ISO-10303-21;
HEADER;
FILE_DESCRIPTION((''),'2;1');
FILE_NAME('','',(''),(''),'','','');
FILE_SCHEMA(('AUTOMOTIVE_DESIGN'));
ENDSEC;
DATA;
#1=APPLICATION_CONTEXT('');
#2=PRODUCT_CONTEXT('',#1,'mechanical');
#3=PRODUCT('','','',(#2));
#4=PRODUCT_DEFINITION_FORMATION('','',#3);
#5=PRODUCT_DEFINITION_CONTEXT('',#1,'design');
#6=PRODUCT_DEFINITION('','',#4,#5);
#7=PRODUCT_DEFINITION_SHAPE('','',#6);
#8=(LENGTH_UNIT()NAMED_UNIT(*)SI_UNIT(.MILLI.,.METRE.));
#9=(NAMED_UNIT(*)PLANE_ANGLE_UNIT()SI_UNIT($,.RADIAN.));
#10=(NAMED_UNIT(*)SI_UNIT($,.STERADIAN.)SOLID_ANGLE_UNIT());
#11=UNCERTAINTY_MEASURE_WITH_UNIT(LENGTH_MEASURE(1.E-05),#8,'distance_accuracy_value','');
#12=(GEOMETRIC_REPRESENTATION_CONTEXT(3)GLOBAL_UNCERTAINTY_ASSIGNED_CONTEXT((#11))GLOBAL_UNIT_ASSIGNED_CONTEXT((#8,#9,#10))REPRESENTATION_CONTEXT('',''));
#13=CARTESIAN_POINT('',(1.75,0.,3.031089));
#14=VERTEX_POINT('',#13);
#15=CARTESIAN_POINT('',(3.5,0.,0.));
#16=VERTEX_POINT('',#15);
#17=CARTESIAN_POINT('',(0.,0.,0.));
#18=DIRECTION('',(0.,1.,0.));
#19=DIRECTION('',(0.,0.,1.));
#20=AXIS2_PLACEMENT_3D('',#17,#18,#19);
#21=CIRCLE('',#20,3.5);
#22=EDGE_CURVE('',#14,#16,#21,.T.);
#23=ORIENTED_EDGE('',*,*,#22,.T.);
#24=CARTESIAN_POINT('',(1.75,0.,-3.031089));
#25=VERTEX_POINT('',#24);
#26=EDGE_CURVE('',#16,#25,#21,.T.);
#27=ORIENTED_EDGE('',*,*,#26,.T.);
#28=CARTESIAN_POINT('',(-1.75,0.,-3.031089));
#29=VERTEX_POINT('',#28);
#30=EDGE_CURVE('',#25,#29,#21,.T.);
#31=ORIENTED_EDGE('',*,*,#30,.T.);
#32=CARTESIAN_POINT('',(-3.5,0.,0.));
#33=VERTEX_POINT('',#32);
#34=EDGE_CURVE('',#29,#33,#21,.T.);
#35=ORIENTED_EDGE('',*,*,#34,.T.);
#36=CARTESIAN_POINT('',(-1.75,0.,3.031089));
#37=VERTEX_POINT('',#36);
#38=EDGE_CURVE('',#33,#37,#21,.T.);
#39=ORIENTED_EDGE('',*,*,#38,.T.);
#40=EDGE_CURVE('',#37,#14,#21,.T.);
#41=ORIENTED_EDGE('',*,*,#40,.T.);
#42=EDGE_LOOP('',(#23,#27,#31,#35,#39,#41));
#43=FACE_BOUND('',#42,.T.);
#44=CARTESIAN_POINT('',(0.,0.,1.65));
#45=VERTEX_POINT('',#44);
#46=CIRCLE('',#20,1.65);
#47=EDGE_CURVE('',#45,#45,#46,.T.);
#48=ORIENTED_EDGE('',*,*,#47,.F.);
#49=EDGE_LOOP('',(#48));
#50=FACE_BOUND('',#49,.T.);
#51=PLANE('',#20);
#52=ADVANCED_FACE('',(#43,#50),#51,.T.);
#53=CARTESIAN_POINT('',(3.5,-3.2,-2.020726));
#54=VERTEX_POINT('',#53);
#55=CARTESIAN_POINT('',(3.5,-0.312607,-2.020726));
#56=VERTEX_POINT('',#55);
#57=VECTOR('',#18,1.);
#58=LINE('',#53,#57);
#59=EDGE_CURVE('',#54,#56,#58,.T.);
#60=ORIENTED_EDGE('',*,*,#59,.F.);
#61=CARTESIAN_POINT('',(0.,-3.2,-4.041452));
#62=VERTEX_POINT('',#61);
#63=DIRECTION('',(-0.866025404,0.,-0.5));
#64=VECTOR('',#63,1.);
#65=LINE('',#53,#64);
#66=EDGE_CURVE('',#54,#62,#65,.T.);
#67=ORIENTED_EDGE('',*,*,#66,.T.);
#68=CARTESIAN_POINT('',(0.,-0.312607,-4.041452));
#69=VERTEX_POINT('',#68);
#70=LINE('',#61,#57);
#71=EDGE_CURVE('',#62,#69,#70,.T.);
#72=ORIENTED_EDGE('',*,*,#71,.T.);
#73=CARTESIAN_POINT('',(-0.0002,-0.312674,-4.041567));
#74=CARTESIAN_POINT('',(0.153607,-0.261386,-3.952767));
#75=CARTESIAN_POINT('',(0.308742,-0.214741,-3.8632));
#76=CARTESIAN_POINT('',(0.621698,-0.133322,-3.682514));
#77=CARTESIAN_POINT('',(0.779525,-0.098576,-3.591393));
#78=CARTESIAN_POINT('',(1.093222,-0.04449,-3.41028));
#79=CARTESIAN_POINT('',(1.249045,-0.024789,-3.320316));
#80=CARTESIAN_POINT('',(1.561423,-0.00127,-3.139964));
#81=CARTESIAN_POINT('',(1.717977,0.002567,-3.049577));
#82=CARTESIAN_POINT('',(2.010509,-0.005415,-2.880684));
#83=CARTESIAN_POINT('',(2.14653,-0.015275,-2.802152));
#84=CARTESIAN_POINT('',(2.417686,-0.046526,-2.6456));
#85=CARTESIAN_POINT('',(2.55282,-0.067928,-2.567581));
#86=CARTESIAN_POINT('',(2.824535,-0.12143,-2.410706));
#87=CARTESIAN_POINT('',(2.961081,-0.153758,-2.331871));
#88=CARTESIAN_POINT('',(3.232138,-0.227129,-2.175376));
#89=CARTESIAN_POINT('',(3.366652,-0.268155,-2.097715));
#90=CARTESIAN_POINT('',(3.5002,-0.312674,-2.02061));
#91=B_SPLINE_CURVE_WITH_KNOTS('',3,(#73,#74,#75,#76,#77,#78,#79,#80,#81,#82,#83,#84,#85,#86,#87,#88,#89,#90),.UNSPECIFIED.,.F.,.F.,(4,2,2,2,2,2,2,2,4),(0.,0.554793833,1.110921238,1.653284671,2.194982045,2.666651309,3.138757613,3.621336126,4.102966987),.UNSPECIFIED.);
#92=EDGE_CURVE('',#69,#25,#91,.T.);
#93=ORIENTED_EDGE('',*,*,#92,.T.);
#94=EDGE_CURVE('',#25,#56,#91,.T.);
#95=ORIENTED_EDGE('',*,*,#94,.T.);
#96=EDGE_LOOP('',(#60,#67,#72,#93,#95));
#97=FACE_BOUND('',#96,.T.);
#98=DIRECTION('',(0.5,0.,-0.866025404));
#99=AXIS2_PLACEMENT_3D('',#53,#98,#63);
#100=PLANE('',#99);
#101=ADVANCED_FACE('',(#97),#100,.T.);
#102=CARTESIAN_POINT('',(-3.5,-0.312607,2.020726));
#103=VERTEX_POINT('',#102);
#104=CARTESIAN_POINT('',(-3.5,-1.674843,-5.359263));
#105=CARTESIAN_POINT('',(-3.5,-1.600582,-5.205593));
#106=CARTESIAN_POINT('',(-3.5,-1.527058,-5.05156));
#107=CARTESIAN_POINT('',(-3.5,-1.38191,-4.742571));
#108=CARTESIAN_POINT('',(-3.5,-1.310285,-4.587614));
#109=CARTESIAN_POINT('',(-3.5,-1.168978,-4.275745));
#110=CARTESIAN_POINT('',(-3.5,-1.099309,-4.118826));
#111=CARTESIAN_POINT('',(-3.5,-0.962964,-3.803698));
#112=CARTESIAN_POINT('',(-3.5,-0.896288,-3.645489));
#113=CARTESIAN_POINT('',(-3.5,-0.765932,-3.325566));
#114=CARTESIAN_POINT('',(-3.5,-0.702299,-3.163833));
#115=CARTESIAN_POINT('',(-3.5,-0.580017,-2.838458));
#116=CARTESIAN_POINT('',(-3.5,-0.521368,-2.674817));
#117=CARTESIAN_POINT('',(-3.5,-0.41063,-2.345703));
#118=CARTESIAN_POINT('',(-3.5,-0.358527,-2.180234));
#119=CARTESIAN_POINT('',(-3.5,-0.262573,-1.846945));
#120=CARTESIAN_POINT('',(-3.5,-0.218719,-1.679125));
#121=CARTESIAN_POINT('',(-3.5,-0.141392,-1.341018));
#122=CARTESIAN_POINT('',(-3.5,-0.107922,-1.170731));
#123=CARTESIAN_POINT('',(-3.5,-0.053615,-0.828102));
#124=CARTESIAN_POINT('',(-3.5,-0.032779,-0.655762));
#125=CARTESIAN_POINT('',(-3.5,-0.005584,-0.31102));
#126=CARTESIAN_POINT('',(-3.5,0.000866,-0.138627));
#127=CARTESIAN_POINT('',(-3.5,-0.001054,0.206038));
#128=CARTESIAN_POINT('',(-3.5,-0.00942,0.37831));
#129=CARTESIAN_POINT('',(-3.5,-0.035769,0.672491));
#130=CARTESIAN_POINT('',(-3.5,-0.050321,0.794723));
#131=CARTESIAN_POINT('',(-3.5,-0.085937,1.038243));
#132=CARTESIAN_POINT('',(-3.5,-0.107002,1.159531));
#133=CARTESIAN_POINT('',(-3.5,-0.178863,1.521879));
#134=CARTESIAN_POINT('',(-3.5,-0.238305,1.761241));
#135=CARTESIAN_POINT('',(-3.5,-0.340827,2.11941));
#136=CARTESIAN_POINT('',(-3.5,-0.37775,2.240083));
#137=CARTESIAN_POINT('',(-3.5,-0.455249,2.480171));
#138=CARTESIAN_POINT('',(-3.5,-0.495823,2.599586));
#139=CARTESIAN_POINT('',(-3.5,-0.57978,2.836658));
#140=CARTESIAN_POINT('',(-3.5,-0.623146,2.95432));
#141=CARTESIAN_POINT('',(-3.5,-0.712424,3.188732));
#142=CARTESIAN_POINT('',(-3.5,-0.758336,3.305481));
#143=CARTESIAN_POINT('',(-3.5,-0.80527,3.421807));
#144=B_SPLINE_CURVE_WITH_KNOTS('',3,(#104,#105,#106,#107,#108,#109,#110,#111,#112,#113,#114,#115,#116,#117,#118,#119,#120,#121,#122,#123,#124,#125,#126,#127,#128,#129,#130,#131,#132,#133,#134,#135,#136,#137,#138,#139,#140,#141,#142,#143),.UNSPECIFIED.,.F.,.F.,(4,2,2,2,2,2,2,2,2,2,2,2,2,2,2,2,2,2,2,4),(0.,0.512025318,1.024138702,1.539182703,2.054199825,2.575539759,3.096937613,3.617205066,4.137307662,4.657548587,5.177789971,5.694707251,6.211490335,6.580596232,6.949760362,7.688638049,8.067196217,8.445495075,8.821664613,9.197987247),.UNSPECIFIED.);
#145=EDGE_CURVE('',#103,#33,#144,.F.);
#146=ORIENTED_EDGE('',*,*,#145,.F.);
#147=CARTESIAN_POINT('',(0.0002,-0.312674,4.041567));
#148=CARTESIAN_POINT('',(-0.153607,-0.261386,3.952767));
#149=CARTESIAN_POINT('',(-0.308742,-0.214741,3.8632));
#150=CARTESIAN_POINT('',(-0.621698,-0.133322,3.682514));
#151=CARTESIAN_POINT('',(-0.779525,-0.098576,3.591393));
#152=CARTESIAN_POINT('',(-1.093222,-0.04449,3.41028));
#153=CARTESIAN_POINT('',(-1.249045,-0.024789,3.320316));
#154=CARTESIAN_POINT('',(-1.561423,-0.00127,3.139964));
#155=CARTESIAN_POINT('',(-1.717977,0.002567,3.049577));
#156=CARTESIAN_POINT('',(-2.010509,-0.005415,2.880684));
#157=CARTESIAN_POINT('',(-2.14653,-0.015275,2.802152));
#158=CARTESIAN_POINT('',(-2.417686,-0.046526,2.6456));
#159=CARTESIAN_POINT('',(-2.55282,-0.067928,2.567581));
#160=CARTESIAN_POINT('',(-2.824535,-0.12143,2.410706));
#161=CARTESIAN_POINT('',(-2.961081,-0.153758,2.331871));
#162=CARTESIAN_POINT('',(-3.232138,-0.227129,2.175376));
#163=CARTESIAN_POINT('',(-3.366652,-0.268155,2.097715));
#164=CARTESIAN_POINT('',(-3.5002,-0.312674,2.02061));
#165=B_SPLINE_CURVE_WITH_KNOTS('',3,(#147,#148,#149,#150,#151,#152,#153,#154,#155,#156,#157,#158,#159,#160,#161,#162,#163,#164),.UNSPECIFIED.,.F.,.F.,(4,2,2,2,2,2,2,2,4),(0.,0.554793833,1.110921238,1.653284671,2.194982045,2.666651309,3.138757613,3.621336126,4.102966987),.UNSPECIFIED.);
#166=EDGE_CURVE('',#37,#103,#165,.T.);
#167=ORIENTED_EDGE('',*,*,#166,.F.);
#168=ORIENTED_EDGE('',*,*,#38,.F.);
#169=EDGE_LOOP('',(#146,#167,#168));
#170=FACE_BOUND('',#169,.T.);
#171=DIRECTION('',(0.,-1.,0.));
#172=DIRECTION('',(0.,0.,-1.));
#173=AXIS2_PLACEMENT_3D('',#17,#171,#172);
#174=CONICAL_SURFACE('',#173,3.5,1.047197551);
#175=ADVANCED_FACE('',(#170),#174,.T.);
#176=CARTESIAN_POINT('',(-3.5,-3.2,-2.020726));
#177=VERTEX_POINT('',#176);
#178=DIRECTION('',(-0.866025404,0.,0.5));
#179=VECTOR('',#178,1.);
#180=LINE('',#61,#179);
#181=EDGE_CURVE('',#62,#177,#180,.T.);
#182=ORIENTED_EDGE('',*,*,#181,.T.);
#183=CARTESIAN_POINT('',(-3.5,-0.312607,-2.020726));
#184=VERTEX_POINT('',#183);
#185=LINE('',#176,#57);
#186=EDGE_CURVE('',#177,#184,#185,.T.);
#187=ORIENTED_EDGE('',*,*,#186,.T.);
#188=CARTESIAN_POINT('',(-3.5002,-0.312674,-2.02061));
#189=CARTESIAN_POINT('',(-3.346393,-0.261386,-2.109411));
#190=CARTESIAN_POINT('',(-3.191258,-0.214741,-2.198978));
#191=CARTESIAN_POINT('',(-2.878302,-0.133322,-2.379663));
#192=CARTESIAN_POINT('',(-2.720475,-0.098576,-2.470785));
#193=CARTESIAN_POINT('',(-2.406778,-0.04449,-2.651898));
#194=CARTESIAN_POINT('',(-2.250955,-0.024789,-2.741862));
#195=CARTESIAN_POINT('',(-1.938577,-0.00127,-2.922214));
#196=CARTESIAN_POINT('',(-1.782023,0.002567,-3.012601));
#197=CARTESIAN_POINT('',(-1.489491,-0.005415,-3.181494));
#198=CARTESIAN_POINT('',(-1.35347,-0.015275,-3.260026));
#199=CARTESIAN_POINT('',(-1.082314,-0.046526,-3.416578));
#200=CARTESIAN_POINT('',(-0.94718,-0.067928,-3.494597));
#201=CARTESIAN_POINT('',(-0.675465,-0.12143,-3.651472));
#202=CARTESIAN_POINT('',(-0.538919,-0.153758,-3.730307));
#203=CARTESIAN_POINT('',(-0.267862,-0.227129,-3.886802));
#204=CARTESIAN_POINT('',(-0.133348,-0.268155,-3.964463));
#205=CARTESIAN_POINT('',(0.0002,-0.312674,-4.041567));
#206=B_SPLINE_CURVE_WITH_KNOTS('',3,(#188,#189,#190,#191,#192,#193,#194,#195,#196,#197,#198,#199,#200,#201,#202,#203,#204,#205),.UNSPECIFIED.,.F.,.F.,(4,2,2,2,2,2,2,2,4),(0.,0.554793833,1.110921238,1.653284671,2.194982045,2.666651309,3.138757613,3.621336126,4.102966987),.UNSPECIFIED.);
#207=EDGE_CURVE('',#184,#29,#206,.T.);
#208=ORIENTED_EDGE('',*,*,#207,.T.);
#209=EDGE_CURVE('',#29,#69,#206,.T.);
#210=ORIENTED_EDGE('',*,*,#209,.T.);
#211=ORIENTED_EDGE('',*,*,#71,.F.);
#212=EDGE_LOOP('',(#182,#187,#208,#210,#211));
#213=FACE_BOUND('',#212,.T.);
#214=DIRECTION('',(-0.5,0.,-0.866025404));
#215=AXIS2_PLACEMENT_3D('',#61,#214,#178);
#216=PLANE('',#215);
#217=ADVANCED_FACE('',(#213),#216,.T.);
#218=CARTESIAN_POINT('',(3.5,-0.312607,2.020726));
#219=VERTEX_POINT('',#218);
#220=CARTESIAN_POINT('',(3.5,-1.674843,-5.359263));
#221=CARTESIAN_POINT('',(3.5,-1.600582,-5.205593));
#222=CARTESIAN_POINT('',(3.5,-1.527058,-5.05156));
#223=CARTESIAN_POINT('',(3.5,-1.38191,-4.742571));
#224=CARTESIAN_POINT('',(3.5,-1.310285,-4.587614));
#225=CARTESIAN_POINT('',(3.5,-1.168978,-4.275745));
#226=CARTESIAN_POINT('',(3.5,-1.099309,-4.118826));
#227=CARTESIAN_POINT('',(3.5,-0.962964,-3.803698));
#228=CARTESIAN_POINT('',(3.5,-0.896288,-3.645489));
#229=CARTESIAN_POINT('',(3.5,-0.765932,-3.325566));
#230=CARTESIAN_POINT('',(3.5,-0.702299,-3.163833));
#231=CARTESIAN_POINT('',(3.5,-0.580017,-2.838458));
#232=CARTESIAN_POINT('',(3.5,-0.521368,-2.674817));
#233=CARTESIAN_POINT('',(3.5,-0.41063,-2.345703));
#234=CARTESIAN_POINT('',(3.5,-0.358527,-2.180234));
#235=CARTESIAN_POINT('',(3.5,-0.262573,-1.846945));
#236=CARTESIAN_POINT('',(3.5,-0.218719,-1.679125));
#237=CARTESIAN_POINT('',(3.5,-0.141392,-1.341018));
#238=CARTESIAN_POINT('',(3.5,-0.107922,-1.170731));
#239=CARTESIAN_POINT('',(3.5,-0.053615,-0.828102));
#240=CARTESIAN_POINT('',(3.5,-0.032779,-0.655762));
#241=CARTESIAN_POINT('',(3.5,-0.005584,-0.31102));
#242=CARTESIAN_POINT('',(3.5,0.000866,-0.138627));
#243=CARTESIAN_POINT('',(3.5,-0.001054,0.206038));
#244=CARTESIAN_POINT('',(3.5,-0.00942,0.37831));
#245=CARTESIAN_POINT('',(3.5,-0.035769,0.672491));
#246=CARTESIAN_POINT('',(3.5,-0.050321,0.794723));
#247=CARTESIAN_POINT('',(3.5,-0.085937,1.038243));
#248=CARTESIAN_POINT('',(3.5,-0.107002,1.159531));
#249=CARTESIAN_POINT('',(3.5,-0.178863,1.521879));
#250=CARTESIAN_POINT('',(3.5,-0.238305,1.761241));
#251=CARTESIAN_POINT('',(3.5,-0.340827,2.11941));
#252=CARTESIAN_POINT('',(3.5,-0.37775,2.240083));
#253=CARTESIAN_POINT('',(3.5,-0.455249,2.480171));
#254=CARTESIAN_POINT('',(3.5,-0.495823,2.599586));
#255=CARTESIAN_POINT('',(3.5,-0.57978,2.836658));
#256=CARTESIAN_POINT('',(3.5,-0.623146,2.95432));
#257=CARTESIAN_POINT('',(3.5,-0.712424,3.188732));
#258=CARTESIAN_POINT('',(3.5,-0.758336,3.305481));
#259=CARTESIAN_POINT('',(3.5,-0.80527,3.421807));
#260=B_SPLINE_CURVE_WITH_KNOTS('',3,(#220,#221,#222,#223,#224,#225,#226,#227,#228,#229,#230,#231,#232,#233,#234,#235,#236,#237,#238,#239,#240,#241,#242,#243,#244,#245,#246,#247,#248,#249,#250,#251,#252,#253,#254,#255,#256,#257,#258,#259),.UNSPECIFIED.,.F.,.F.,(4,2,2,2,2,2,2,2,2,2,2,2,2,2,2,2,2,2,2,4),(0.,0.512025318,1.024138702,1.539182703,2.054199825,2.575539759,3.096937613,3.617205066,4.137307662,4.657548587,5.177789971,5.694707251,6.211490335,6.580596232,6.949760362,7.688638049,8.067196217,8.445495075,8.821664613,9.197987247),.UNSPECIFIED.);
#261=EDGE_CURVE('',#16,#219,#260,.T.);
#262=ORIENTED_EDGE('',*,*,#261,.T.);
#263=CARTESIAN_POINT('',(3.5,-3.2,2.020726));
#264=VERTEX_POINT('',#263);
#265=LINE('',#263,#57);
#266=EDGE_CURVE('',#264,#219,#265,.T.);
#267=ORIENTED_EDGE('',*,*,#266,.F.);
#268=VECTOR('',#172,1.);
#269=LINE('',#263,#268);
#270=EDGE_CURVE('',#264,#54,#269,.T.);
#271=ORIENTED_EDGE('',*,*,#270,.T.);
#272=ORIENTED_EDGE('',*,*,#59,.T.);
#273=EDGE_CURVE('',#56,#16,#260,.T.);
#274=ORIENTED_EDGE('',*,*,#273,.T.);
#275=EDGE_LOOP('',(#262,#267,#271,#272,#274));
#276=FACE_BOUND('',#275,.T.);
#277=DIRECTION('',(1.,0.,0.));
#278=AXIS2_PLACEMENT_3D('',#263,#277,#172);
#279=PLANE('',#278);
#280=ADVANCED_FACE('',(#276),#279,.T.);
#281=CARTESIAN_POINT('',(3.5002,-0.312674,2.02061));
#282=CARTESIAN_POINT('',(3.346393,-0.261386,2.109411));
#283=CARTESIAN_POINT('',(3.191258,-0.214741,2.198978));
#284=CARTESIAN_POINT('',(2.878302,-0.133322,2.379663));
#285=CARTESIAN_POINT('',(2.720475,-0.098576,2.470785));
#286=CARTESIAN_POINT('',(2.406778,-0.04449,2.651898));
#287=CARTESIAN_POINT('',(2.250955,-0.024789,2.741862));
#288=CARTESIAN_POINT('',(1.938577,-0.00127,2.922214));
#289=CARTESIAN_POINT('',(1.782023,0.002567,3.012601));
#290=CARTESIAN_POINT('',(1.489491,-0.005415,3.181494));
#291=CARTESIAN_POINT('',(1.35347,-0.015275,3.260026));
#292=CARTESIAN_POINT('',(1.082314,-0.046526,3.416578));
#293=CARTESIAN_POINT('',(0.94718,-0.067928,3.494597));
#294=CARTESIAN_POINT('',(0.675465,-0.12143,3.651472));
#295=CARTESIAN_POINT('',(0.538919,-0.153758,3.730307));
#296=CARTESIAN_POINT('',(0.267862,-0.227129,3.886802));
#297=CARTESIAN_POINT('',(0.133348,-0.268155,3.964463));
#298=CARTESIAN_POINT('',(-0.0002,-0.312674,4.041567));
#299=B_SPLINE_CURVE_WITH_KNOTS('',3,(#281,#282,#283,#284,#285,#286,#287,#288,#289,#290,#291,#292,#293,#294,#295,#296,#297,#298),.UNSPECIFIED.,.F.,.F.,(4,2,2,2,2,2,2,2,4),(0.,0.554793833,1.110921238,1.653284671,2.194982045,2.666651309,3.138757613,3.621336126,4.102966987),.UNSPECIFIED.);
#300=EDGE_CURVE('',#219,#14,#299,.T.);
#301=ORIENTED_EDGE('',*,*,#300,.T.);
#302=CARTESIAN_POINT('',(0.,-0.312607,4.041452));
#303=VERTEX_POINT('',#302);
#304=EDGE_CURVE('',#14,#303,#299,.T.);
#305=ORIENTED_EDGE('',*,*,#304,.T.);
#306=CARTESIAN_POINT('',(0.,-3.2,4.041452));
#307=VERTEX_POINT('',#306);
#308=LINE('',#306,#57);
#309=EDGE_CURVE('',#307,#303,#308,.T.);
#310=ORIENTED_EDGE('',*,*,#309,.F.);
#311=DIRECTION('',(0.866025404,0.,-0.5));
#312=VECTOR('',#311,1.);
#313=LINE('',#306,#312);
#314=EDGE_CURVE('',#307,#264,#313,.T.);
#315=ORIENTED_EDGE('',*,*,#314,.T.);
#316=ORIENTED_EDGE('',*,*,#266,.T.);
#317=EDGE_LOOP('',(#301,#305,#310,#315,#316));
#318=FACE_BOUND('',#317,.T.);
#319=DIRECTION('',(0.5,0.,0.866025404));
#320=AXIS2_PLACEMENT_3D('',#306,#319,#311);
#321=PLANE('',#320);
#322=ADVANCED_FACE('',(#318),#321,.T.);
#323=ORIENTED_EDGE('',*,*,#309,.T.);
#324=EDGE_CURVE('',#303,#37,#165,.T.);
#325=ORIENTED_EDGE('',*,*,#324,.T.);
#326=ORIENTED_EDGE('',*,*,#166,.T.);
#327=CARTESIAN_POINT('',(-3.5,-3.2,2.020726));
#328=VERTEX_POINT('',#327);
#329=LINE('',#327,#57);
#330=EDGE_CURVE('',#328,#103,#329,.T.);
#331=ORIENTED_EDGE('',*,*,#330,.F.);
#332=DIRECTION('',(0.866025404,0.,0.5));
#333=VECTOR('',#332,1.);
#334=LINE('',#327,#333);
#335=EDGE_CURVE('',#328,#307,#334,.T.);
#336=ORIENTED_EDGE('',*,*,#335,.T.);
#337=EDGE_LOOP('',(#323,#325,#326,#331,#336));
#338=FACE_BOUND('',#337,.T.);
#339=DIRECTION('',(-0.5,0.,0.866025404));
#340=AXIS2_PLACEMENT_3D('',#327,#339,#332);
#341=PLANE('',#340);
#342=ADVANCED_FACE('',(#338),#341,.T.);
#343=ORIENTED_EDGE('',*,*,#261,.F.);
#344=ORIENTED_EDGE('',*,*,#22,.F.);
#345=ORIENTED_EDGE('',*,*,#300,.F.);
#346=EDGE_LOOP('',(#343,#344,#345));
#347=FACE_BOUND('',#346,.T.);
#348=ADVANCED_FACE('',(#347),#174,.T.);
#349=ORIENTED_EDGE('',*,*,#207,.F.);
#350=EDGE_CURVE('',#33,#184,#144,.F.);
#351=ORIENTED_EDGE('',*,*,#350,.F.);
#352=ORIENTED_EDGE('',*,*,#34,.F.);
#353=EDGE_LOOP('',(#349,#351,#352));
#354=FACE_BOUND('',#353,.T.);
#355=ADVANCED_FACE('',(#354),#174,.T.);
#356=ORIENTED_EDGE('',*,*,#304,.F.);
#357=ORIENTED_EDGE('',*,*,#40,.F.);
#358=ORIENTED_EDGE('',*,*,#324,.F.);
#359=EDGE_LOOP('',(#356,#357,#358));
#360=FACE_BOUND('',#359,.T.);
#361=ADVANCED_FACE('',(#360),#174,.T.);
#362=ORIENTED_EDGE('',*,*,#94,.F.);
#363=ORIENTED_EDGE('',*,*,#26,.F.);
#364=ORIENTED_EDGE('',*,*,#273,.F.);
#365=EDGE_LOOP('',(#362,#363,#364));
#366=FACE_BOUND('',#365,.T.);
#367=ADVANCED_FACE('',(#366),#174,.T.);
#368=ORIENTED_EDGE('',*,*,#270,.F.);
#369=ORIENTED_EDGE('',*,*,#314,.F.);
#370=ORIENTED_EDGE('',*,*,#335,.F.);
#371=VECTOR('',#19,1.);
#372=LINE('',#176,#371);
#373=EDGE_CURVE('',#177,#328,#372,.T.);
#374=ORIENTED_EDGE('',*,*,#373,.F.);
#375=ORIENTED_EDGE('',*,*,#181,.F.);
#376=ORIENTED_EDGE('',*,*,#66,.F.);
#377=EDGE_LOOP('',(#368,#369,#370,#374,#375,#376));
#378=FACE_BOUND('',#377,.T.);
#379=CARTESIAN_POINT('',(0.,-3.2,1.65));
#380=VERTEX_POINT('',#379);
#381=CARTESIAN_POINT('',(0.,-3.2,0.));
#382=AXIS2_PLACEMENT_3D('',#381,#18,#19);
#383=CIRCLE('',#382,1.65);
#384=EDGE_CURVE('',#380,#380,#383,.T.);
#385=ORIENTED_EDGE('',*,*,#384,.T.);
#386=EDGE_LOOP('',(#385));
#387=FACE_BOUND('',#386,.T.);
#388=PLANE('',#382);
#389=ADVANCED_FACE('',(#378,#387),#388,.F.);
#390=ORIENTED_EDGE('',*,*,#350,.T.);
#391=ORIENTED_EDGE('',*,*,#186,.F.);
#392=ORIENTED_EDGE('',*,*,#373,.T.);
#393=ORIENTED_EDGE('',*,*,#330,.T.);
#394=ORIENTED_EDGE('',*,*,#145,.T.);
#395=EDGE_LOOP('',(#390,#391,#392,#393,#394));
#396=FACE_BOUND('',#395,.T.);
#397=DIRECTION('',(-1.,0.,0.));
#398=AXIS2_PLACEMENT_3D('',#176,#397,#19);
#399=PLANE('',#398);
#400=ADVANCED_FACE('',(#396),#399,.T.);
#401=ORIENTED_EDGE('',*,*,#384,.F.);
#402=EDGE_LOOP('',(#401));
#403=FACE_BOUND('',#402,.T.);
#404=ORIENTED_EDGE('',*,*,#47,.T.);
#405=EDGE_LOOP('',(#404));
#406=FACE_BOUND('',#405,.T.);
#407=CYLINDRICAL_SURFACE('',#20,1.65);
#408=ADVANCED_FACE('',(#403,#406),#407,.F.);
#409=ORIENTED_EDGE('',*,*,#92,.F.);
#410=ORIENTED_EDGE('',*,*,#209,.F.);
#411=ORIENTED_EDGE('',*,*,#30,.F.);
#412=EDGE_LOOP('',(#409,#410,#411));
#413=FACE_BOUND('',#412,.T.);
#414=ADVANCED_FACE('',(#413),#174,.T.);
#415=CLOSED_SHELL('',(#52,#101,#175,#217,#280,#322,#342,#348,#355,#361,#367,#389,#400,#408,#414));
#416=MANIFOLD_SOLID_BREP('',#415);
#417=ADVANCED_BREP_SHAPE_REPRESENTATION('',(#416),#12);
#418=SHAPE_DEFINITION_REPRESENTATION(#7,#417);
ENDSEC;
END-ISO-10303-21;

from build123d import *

# Parameters (mm, degrees)
BOSS_EXTRUDE1_DEPTH = 3.2
TAPPED_HOLE1_D      = 3.3


with BuildPart() as part:
    # Sketch1 → Boss-Extrude1 (new body)
    with BuildSketch(Plane(origin=(0, 0, 0), x_dir=(1, 0, 0), z_dir=(0, 1, 0))):
        Polygon((0, 4.041451884), (-3.5, 2.020725942), (-3.5, -2.020725942), (0, -4.041451884), (3.5, -2.020725942), (3.5, 2.020725942), align=None)
    extrude(amount=-BOSS_EXTRUDE1_DEPTH)

    # Sketch2 → Cut-Revolve1 (revolve, cut)
    with BuildSketch(Plane(origin=(0, 0, 0), x_dir=(0, 0, -1), z_dir=(1, 0, 0))):
        Polygon((3.5, 0), (4.041451884, 0), (4.041451884, -0.312607391), align=None)
    revolve(axis=Axis((0, 0, 0), (0, -1, 0)), mode=Mode.SUBTRACT)

    # Tapped Hole1 (through all)
    with Locations(Plane(origin=(0, 0, 0), x_dir=(1, 0, 0), z_dir=(0, 1, 0))):
        with Locations((0, 0)):
            Hole(TAPPED_HOLE1_D / 2)


solid = part.part
